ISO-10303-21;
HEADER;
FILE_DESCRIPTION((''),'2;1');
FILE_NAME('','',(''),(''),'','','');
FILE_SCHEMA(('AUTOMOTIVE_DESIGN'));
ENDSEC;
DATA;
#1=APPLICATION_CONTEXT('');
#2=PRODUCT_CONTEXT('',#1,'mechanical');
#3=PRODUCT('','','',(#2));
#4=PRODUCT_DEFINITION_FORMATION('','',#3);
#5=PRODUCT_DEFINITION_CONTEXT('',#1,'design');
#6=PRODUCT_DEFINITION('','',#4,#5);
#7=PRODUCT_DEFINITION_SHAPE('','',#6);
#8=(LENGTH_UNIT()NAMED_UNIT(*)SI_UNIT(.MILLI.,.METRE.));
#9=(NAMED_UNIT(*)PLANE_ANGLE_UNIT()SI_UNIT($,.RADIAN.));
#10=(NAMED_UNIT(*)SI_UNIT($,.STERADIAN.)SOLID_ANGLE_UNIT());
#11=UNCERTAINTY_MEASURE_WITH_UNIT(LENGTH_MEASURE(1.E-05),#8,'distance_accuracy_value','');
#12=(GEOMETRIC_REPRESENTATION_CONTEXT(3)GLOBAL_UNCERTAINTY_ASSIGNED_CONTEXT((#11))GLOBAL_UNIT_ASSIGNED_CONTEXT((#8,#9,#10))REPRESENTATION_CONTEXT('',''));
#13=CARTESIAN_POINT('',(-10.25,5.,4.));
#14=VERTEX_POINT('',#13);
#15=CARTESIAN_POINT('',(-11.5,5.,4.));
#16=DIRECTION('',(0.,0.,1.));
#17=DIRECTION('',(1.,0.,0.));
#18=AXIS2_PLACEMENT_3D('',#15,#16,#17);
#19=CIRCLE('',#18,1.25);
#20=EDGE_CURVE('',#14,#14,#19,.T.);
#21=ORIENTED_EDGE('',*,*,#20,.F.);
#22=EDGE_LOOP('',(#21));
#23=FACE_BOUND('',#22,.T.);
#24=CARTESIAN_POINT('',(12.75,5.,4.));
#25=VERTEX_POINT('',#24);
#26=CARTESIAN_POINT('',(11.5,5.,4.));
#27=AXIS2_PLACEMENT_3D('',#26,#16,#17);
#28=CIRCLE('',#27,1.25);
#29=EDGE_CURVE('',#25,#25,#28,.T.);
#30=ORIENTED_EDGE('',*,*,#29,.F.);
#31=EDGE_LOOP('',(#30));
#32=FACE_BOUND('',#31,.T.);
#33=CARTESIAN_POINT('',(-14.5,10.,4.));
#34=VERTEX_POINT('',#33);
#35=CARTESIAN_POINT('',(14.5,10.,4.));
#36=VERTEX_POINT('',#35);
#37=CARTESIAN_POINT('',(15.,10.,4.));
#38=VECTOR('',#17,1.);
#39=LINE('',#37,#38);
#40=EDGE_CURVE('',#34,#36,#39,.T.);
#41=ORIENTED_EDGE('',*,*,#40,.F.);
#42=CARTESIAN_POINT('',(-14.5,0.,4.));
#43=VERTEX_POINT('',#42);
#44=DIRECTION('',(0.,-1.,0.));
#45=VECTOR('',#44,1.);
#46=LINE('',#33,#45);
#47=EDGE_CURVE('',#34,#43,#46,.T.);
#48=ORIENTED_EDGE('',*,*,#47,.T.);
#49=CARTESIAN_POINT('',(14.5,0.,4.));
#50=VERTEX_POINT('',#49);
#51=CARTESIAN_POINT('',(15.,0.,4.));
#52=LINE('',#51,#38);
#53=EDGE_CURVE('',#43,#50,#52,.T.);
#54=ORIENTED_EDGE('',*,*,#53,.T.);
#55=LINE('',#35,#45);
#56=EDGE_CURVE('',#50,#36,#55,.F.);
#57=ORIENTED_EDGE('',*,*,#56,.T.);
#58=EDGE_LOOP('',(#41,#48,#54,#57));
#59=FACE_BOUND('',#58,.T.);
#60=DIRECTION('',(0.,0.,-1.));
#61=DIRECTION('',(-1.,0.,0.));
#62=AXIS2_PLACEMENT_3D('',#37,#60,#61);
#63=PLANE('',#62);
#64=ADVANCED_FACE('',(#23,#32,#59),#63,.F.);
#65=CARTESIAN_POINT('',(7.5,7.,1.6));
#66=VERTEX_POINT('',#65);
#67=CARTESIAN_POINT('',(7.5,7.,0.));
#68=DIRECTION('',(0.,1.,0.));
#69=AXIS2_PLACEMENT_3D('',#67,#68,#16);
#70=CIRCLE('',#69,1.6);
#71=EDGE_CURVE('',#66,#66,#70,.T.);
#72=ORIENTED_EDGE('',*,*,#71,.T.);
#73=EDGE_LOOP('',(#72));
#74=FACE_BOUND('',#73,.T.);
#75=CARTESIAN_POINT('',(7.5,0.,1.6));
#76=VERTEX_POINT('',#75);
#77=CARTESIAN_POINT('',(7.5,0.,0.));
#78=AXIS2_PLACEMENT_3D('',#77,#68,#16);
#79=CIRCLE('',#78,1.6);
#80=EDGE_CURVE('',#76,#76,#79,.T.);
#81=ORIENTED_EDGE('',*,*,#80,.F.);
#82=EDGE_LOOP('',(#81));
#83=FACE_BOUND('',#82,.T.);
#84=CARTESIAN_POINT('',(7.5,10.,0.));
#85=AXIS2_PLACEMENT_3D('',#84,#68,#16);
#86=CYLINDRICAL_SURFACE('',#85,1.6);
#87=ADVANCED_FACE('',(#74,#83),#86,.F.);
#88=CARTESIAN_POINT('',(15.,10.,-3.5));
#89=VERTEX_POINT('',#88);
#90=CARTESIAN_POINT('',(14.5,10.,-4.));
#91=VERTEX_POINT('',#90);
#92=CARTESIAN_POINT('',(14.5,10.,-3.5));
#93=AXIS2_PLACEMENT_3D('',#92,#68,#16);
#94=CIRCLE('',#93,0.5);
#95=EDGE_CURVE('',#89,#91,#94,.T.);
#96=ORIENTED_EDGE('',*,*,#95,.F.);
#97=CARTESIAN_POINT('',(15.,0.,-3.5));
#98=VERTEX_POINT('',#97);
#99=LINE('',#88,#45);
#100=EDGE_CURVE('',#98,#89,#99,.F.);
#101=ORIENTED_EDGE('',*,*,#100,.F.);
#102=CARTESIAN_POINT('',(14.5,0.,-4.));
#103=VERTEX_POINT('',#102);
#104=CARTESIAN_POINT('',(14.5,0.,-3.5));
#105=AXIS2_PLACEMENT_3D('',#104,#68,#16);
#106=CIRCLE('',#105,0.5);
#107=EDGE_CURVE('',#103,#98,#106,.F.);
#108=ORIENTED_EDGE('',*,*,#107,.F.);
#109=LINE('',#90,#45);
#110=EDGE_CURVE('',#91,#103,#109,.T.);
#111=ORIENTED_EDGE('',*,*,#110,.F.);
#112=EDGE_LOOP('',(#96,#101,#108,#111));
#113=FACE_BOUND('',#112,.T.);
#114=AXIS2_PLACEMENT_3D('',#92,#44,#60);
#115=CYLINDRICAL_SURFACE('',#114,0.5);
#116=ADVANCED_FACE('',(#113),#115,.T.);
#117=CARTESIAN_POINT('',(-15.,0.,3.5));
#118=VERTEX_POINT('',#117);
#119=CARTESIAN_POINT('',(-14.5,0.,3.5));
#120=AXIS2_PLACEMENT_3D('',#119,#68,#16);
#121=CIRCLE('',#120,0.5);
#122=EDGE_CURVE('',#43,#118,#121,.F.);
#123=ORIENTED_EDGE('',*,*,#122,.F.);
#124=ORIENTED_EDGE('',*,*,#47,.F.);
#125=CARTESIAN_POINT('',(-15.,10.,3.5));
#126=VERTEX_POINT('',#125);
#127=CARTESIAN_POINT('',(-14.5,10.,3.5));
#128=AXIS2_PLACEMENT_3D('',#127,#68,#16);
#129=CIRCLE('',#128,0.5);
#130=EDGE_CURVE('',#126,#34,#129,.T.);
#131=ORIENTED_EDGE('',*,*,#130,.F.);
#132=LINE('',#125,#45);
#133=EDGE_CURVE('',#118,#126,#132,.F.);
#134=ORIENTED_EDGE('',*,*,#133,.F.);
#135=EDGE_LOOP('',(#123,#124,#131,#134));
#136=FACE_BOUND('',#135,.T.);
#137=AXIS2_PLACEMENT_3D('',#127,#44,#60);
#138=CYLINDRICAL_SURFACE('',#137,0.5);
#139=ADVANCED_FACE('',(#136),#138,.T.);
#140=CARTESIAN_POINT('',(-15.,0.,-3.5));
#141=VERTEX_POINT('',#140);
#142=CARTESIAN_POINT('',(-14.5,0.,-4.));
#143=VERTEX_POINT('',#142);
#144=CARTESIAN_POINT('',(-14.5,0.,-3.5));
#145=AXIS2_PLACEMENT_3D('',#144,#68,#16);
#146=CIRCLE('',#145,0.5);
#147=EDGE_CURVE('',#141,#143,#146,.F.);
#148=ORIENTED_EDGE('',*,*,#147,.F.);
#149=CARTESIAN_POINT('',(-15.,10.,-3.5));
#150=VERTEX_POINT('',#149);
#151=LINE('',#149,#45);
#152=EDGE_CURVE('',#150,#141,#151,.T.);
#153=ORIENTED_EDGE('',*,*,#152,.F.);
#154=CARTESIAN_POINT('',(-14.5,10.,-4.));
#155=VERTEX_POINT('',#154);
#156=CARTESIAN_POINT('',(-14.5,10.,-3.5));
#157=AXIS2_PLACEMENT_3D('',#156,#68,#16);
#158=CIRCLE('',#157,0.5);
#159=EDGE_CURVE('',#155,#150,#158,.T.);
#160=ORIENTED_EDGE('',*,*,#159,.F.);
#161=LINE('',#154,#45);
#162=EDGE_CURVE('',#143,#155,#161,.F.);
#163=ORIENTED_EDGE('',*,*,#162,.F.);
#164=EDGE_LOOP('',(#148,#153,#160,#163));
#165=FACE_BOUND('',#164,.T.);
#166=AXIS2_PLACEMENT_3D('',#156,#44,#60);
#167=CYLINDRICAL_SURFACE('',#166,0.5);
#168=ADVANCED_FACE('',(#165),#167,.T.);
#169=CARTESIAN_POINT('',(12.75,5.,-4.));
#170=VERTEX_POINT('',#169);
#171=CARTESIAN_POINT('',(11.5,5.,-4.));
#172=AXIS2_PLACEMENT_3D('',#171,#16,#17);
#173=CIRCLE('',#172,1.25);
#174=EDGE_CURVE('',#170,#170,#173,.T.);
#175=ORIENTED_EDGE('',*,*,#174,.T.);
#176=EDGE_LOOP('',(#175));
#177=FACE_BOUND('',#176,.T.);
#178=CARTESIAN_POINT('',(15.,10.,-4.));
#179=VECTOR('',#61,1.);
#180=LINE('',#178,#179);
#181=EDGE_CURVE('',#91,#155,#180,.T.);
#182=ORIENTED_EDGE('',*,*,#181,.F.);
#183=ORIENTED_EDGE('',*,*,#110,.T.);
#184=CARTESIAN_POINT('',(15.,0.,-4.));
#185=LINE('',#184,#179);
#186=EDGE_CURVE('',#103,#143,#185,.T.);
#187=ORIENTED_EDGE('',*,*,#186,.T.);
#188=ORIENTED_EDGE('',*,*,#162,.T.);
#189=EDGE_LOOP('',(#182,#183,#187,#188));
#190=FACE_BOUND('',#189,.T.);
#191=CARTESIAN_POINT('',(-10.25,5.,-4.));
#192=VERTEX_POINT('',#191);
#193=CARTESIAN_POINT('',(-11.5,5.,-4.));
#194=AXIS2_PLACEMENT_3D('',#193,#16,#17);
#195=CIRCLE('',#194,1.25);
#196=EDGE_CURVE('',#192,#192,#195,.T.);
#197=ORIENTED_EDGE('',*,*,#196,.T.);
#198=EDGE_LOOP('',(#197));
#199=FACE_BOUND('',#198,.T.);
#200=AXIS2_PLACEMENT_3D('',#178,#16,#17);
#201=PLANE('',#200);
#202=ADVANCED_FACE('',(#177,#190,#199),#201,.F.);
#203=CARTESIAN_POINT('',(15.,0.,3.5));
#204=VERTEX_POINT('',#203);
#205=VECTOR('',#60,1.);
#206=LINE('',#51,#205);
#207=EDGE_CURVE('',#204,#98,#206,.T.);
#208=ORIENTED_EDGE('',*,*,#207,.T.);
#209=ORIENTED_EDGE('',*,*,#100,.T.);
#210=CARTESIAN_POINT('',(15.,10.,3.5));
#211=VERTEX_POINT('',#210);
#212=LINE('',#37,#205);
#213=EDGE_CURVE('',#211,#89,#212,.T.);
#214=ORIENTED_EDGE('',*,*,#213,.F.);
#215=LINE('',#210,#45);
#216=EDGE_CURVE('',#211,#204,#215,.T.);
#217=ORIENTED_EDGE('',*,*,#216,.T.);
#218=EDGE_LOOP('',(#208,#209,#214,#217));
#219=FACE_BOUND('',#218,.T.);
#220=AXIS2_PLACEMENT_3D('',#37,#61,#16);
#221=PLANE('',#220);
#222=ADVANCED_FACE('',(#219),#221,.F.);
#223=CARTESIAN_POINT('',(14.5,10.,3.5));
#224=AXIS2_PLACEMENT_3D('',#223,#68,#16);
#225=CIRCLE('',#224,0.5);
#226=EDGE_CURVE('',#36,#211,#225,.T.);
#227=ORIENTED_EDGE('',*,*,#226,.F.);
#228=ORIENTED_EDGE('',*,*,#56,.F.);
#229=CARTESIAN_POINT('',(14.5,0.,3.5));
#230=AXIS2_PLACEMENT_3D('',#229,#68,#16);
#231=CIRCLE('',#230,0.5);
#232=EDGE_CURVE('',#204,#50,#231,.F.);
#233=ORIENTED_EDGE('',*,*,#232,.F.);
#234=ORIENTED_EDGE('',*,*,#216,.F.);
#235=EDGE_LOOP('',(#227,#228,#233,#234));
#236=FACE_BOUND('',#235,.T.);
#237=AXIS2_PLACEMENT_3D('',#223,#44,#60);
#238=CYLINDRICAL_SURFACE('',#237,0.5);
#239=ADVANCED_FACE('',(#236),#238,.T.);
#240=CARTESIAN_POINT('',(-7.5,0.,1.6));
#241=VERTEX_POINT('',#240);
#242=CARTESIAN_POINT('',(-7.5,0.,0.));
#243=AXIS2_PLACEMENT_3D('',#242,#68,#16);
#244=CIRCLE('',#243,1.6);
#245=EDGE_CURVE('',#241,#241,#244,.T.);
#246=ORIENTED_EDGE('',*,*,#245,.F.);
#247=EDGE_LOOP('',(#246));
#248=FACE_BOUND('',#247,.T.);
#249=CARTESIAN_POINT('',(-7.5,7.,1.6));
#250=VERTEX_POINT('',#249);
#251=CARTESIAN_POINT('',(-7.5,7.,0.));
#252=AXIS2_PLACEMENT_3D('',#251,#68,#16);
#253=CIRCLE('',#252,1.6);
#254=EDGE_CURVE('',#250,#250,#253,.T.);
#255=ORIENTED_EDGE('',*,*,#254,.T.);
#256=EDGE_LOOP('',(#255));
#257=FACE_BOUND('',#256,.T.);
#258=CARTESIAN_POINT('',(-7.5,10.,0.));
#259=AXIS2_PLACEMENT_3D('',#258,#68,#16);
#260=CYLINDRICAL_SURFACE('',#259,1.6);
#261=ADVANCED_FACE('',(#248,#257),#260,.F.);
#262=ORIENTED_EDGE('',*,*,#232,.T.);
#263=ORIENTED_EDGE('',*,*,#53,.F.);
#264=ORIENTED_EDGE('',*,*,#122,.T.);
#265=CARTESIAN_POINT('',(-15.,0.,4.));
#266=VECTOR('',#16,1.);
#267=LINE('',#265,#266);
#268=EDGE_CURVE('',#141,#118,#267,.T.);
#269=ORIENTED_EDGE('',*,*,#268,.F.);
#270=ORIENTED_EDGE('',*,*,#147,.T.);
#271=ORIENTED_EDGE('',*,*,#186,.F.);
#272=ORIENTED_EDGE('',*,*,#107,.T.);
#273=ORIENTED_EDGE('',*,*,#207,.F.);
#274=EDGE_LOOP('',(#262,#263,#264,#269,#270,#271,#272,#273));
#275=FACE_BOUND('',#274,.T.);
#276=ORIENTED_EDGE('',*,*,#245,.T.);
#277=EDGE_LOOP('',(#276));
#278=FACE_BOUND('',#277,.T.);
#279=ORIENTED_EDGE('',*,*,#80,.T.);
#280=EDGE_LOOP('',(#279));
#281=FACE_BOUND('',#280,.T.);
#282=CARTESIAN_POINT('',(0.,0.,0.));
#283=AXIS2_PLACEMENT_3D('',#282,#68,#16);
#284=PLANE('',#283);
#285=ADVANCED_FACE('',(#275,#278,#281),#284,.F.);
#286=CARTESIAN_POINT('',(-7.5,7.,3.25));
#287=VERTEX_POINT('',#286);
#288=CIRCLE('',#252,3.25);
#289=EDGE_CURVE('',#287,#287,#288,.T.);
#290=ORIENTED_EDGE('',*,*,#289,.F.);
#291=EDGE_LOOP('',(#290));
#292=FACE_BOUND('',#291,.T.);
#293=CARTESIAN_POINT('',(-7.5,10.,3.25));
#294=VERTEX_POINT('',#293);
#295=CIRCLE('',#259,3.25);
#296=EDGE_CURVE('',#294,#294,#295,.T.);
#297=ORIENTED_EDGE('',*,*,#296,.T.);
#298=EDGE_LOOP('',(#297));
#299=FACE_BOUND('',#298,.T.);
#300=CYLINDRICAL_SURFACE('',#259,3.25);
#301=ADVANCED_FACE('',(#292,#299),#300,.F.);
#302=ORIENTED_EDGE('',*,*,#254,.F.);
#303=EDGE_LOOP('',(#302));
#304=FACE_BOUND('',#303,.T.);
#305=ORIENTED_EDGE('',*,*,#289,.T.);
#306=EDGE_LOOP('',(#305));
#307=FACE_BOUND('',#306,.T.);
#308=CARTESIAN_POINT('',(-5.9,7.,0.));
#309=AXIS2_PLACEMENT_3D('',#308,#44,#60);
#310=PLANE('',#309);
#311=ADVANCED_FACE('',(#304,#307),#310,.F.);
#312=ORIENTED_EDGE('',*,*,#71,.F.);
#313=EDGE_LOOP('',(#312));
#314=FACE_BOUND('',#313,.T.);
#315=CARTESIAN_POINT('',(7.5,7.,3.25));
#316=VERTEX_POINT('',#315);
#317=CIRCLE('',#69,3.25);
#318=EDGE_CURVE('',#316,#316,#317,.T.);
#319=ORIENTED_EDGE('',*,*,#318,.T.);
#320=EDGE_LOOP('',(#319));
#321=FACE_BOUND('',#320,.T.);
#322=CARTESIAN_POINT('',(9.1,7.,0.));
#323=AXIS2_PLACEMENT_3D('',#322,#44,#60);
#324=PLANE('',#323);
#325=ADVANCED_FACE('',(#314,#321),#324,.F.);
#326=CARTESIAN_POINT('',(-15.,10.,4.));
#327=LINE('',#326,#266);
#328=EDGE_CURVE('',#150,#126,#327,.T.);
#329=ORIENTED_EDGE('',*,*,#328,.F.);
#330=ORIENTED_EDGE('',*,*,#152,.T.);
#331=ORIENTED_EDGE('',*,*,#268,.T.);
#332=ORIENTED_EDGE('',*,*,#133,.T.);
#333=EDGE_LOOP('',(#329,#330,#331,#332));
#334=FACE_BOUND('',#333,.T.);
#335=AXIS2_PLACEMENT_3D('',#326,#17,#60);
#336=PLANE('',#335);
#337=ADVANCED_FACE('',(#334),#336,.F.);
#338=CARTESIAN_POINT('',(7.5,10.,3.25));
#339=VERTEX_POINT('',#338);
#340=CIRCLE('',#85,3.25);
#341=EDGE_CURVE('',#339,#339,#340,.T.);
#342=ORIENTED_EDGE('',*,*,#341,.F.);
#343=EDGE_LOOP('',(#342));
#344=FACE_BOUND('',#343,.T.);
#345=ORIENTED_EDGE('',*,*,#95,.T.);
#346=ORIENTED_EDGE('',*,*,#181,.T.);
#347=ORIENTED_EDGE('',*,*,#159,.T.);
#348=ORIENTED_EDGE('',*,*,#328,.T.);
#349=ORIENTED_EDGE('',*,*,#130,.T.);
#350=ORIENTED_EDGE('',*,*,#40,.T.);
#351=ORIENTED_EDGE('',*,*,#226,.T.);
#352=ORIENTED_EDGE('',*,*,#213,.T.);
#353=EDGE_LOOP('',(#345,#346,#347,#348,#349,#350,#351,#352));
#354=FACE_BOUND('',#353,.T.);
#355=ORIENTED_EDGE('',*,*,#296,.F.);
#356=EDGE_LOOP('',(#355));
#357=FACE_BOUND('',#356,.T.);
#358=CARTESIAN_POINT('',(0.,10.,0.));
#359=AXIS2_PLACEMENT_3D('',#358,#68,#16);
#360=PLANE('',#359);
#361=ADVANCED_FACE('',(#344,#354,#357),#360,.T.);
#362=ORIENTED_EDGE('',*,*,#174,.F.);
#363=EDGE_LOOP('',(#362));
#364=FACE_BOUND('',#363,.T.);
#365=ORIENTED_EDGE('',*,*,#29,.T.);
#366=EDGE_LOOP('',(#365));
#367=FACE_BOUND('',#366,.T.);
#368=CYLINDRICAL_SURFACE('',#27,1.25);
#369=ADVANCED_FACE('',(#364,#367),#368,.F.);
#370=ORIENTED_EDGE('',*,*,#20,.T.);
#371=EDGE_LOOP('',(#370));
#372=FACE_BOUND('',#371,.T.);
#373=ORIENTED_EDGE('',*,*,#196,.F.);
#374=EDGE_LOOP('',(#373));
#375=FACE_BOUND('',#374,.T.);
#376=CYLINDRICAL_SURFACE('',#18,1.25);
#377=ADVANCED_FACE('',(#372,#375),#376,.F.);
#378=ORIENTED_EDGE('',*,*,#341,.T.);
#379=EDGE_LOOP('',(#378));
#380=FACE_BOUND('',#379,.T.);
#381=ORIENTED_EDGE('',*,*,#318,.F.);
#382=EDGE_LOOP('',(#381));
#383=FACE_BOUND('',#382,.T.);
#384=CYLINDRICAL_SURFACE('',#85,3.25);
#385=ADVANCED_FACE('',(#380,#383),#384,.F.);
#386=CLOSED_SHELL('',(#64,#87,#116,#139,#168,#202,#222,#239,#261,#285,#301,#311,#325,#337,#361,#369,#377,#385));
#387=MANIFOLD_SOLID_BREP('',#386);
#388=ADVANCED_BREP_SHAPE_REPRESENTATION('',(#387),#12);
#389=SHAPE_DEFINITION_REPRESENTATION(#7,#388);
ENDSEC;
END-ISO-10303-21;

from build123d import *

# Parameters (mm, degrees)
SKETCH1_W                      = 30
SKETCH1_H                      = 8
BOSS_EXTRUDE1_DEPTH            = 10
CBORE_FOR_M3_SHCS2_D           = 3.2
CBORE_FOR_M3_SHCS2_CBORE_D     = 6.5
CBORE_FOR_M3_SHCS2_CBORE_DEPTH = 3
TAP_DRILL_FOR_M3X0_5_TAP1_D    = 2.5
FILLET1_R                      = 0.5


with BuildPart() as part:
    # Sketch1 → Boss-Extrude1 (new body)
    with BuildSketch(Plane(origin=(0, 0, 0), x_dir=(1, 0, 0), z_dir=(0, 1, 0))):
        Rectangle(SKETCH1_W, SKETCH1_H)
    extrude(amount=BOSS_EXTRUDE1_DEPTH)

    # CBORE for M3 SHCS2 (through all)
    with Locations(Plane(origin=(0, 10, 0), x_dir=(1, 0, 0), z_dir=(0, 1, 0))):
        with Locations((-7.5, 0), (7.5, 0)):
            CounterBoreHole(CBORE_FOR_M3_SHCS2_D / 2, CBORE_FOR_M3_SHCS2_CBORE_D / 2, CBORE_FOR_M3_SHCS2_CBORE_DEPTH)

    # Tap Drill for M3x0.5 Tap1 (through all)
    with Locations(Plane.XY.offset(4)):
        with Locations((-11.5, 5), (11.5, 5)):
            Hole(TAP_DRILL_FOR_M3X0_5_TAP1_D / 2)

    # Fillet1
    fillet1_edges = [part.edges().sort_by_distance(p)[0] for p in [
        (-15, 5, -4),
        (15, 5, -4),
        (15, 5, 4),
        (-15, 5, 4),
    ]]
    fillet(fillet1_edges, radius=FILLET1_R)


solid = part.part
